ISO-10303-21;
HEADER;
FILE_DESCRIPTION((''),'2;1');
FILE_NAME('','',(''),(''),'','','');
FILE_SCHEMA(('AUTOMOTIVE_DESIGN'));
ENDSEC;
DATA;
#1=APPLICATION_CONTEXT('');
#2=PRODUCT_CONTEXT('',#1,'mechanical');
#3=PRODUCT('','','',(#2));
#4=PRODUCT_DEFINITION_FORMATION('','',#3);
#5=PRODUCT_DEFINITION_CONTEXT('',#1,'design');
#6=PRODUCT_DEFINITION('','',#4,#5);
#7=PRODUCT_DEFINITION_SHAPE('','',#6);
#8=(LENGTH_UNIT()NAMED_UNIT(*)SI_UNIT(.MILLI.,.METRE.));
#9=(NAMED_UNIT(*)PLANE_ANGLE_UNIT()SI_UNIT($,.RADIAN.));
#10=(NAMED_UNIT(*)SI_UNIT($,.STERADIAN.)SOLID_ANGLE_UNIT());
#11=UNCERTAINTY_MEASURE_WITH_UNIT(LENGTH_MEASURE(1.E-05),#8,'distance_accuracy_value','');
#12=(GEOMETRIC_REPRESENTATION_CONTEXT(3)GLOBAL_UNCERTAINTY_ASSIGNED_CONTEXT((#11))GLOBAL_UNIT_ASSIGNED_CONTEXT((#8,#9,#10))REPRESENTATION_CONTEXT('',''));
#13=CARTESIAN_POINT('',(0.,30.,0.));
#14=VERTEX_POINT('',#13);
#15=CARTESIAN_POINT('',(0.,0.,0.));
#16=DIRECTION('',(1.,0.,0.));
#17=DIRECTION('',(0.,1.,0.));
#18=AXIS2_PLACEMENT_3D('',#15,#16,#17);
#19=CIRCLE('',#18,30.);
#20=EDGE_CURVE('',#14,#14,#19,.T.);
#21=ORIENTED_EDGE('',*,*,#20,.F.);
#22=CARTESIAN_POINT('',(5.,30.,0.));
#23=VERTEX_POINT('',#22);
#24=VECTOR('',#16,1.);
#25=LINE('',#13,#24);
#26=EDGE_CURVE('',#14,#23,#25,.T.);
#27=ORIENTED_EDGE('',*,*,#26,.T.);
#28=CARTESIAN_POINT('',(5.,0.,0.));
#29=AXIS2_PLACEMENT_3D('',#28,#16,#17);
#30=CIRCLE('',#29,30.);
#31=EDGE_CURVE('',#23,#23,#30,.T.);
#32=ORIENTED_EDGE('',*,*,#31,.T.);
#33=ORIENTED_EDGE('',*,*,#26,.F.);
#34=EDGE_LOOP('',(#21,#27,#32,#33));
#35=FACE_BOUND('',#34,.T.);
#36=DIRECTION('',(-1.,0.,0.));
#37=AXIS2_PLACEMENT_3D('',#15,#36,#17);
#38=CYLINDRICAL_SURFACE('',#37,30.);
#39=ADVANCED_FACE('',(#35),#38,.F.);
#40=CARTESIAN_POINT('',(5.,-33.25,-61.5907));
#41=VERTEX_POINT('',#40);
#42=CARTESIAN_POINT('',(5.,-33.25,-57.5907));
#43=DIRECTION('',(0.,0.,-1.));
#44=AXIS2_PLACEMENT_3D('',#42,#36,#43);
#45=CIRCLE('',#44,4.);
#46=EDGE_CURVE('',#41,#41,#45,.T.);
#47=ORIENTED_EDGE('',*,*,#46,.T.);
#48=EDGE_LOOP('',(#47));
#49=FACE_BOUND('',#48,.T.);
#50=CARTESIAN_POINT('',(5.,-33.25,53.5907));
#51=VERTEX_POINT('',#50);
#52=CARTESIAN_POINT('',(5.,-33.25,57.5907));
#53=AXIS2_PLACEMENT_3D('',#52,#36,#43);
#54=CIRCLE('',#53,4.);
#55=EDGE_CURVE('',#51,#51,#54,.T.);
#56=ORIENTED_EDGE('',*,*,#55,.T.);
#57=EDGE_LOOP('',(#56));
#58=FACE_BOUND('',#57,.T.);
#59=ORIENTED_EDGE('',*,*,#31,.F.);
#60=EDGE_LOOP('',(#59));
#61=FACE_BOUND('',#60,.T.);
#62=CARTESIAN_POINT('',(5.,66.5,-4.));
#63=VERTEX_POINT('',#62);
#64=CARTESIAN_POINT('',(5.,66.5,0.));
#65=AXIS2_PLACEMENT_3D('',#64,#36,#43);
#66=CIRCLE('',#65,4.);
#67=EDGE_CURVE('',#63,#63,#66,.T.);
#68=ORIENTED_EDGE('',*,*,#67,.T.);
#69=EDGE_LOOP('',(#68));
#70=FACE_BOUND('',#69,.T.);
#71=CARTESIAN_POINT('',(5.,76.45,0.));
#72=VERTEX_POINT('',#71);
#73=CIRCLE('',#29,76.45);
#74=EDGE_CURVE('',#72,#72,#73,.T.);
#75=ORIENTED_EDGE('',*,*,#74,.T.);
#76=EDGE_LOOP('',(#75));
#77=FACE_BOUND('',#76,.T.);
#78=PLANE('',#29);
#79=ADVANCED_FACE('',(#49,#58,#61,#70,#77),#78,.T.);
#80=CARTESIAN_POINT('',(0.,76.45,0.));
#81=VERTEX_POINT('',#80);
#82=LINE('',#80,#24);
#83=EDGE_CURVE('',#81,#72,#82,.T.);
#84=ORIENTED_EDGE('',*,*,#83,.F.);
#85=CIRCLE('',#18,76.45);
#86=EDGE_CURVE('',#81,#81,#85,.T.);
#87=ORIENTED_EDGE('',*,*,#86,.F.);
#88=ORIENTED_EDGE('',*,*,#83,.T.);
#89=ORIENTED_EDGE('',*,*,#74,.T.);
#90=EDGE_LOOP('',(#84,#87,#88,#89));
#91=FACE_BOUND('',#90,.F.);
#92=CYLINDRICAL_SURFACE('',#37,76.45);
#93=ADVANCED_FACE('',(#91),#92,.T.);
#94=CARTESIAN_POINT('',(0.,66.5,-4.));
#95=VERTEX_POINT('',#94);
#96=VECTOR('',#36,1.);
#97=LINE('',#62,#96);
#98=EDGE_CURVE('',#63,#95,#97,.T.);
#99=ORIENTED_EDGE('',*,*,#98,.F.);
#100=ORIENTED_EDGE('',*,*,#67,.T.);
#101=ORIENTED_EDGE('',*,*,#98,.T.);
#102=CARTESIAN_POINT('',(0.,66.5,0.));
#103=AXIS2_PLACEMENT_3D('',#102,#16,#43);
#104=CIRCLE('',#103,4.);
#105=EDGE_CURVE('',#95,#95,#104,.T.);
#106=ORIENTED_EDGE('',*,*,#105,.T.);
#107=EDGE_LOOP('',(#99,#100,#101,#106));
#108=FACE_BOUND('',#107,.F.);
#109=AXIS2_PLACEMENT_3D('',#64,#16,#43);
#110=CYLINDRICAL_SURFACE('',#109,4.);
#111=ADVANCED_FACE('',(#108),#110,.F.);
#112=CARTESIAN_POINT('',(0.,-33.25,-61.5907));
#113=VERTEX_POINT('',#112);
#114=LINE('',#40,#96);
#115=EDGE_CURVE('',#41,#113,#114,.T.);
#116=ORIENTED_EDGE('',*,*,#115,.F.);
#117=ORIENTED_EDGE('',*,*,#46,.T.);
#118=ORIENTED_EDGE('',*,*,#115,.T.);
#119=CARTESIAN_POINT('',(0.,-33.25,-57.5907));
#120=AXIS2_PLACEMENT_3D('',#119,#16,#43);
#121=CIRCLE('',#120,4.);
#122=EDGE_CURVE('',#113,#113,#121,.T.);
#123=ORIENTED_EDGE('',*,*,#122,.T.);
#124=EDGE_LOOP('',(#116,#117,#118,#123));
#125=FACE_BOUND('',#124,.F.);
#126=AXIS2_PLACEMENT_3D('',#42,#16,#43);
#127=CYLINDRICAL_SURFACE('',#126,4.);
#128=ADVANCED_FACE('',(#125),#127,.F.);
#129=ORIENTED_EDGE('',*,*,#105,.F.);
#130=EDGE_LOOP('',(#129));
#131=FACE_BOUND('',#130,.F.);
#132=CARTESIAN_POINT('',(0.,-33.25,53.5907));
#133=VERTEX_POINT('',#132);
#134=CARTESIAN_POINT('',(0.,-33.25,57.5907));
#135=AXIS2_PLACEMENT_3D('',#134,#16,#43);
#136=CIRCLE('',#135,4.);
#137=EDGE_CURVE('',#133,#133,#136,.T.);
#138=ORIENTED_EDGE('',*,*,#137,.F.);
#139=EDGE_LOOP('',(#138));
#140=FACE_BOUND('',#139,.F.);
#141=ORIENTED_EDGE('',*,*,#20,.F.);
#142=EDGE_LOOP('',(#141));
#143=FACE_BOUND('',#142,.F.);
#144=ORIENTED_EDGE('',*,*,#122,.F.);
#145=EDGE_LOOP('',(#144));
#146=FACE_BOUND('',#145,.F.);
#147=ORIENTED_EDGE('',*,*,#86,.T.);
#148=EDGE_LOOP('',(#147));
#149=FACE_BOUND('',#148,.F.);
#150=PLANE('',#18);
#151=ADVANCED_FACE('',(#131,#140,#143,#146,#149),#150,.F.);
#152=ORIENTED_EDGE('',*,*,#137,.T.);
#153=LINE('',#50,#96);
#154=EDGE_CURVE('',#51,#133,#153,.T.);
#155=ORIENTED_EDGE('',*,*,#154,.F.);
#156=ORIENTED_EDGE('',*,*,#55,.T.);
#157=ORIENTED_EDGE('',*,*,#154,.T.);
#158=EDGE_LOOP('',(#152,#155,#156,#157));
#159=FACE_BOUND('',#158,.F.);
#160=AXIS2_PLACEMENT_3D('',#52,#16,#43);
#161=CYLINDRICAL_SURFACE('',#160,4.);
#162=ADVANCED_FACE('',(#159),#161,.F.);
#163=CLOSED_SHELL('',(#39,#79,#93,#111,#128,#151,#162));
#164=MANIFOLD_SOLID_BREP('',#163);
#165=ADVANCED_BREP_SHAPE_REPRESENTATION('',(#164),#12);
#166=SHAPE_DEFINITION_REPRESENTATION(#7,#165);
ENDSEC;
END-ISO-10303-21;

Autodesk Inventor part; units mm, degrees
ref_plane "YZ Plane" through (0, 0, 0) normal (1, 0, 0) x (0, 1, 0)
ref_plane "XZ Plane" through (0, 0, 0) normal (0, 1, 0) x (-1, 0, 0)
ref_plane "XY Plane" through (0, 0, 0) normal (0, 0, 1) x (1, 0, 0)
sketch "Sketch1" plane through (0, 0, 0) normal (1, 0, 0) x (0, 1, 0)
  circle A0 centre (0, 0) radius 30
  circle A1 centre (0, 0) radius 76.45
  dimension "d11" = 152.9
  dimension "d12" = 60
extrude "Extrusion1" add sketch "Sketch1" along normal blind 5
sketch "Sketch3" plane through (5, 0, 0) normal (1, 0, 0) x (0, 0, -1)
  circle A0 centre (0, 0) radius 66.5
  circle A1 centre (0, 66.5) radius 4
  circle A2 centre (-57.5907, -33.25) radius 4
  circle A3 centre (57.5907, -33.25) radius 4
  dimension "d23" = 133
  dimension "d24" = 8
  dimension "d45" = 360
extrude "Extrusion4" cut sketch "Sketch3" against normal through all contours A1 A0 | A0 A1 | A3 A0 | A0 A3 | A2 A0 | A0 A2
thread "Thread1" size "M8x1.25" class "6H" standard "ANSI Metric M Profile" full length
thread "Thread5" size "M8x1.25" class "6H" standard "ANSI Metric M Profile" full length
thread "Thread6" size "M8x1.25" class "6H" standard "ANSI Metric M Profile" full length
properties part number "AsfaleiaDIpteroy"
